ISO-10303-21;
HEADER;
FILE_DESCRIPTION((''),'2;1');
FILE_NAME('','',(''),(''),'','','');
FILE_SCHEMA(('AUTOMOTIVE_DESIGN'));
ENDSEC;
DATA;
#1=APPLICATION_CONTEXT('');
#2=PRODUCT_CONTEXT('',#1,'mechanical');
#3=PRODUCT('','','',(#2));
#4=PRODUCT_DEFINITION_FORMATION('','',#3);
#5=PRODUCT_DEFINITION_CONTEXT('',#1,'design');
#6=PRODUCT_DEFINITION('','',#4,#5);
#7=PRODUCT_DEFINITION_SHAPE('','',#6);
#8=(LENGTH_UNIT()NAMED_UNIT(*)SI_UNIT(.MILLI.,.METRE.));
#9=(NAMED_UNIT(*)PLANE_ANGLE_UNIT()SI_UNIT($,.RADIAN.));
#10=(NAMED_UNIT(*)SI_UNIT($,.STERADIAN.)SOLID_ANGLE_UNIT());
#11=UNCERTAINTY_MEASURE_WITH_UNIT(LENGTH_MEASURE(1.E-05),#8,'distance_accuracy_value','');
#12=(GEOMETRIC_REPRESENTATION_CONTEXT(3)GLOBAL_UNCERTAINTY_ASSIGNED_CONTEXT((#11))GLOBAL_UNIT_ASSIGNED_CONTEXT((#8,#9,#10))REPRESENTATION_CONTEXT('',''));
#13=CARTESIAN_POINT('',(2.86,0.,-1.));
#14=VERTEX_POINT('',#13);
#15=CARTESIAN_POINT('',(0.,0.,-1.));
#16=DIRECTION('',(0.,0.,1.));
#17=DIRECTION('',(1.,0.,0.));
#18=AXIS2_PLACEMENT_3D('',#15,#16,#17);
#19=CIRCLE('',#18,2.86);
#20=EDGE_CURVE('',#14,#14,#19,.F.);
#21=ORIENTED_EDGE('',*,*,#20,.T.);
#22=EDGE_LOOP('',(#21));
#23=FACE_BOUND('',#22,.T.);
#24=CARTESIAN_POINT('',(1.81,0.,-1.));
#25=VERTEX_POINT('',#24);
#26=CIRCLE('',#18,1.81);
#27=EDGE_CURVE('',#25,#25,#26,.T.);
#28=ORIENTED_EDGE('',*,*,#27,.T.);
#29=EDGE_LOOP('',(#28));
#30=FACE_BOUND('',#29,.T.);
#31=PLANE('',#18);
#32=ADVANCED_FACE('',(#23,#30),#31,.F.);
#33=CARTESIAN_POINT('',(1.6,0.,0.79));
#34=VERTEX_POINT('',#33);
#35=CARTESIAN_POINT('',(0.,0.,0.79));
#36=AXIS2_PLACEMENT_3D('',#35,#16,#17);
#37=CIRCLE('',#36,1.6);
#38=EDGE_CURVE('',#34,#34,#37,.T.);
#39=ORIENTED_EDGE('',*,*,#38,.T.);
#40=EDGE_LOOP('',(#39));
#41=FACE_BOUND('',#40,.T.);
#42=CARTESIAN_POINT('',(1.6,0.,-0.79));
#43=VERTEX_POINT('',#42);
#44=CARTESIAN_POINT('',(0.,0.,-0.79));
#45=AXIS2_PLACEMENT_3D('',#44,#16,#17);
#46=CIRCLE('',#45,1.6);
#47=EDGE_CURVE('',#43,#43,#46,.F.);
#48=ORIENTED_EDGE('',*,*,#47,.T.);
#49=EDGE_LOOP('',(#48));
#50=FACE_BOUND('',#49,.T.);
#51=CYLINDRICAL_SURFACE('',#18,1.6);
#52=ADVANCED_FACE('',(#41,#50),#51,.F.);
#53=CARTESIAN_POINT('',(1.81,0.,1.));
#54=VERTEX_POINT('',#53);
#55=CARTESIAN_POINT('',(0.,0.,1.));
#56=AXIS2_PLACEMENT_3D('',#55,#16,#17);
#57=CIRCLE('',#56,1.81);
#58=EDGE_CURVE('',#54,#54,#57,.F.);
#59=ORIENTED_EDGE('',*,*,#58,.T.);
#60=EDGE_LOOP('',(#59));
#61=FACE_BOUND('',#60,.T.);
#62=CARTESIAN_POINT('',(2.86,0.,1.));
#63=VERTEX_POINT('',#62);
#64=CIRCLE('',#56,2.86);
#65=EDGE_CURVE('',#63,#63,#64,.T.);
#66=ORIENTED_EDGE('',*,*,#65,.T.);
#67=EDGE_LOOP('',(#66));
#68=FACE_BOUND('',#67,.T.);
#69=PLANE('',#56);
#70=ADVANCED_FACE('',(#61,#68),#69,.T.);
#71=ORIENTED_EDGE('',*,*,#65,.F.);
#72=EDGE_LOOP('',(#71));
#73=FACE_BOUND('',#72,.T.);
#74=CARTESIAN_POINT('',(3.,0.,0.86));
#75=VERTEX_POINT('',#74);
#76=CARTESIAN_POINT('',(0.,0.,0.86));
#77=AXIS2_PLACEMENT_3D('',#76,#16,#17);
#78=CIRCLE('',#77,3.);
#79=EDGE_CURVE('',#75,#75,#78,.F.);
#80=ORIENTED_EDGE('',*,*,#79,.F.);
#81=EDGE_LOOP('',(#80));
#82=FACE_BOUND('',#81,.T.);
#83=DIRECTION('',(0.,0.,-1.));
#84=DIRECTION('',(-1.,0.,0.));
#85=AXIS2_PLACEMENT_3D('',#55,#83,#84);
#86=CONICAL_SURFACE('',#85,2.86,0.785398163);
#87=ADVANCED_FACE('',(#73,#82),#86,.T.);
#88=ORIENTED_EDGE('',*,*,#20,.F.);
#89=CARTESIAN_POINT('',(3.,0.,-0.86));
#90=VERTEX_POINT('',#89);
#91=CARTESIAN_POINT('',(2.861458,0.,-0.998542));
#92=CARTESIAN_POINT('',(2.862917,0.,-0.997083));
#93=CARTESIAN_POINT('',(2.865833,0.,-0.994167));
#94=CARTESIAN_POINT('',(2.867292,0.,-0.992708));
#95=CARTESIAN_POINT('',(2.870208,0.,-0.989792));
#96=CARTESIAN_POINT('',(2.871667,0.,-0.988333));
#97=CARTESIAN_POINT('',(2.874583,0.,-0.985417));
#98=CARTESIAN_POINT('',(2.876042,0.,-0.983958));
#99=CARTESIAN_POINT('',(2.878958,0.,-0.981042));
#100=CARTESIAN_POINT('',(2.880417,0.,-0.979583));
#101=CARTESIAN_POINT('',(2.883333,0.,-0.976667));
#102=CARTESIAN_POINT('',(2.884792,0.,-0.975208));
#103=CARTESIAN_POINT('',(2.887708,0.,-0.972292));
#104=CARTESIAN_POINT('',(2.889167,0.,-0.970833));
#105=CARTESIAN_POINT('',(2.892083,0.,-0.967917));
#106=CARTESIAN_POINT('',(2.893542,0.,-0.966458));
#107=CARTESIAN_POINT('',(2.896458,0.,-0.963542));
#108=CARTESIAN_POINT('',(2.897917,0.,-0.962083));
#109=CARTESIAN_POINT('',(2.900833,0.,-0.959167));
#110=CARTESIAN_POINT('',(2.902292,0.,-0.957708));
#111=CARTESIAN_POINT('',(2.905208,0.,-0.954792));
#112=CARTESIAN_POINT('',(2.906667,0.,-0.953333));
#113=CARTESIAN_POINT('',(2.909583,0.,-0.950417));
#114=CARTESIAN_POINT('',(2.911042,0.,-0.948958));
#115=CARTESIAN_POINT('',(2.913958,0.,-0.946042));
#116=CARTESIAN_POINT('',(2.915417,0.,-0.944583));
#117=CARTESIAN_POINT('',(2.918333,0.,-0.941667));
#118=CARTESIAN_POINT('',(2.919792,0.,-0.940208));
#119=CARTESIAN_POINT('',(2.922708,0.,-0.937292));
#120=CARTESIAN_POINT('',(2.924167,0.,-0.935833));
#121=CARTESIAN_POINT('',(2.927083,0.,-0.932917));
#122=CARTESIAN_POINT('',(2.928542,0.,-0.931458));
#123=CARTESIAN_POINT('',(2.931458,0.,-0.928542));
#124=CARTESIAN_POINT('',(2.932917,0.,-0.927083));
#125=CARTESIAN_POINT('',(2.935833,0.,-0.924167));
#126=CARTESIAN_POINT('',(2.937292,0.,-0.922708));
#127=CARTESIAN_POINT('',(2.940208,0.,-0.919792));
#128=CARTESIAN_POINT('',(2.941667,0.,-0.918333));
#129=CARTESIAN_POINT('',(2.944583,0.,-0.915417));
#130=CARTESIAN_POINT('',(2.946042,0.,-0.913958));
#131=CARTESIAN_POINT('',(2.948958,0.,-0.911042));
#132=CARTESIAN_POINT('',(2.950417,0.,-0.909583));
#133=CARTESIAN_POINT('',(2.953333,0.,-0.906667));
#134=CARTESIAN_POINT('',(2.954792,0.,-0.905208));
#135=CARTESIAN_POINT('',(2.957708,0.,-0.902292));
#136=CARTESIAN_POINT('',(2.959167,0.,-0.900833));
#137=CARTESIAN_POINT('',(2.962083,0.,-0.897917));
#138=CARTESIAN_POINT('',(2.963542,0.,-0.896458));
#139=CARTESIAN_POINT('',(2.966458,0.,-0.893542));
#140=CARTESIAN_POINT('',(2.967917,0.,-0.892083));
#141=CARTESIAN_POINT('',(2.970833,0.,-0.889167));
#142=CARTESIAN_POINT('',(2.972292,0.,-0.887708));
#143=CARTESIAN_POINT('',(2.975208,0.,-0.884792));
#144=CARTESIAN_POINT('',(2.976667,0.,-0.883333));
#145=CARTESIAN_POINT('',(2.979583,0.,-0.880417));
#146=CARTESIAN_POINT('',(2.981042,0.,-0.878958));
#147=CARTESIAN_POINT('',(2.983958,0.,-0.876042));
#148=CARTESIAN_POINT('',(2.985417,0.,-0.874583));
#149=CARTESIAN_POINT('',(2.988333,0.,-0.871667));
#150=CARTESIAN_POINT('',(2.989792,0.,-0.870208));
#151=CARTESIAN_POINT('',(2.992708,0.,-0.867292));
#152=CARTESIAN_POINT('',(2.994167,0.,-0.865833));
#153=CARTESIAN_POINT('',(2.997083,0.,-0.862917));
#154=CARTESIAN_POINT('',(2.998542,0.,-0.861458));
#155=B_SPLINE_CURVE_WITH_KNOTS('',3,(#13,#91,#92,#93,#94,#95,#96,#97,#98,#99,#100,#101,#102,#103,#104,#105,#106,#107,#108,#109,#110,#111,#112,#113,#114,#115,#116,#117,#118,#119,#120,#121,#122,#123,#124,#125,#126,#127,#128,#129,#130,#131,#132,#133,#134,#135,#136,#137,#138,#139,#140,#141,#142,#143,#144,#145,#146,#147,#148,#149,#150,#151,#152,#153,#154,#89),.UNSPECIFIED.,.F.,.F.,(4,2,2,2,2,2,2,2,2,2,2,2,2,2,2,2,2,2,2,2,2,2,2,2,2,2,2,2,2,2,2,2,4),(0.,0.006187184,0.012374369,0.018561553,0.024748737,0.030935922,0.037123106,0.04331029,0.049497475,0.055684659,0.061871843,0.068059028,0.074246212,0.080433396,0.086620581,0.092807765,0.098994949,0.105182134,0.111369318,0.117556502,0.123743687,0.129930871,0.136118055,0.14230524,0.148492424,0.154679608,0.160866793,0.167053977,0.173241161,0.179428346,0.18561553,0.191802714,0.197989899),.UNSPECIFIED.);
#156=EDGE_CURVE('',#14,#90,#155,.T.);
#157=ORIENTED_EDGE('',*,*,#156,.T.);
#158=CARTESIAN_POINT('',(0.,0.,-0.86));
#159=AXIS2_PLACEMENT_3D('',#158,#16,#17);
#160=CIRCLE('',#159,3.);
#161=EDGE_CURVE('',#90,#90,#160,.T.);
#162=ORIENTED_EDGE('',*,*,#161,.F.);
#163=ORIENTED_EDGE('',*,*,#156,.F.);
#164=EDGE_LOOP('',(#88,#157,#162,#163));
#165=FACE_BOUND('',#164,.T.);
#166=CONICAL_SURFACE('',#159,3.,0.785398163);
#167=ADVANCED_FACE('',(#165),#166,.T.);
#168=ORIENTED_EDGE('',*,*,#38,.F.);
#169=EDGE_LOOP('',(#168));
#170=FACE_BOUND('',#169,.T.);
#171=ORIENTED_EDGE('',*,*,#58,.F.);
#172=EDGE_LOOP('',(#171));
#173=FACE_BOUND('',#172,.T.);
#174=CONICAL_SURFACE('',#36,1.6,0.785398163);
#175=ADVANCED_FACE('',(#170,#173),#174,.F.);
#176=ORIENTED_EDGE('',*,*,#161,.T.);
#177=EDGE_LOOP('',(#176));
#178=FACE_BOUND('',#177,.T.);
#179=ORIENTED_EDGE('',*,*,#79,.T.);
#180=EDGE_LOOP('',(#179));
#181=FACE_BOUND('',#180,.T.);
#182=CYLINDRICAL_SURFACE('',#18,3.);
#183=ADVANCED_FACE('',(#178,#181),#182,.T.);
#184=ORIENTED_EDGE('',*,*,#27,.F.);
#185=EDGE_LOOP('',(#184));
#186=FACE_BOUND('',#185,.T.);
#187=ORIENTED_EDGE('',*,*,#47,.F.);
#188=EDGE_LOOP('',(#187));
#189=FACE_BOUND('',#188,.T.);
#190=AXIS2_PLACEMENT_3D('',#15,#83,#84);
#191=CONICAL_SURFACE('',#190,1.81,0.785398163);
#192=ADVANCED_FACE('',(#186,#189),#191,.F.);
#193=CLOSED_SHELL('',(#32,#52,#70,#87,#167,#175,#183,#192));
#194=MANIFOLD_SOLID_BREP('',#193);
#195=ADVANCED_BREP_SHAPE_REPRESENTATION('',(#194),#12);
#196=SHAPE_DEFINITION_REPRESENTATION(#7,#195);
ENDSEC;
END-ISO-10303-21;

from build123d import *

# Parameters (mm, degrees)
BOSS_EXTRUDE1_DEPTH      = 1
BOSS_EXTRUDE1_DEPTH_BACK = 1
SKETCH3_R                = 3
SKETCH3_R_2              = 1.6
CHAMFER1_SIZE            = 0.14
CHAMFER2_SIZE            = 0.21


with BuildPart() as part:
    # Sketch3 → Boss-Extrude1 (new, two sides: drawn at the far end of the back side and taken through both)
    with BuildSketch(Plane.XY.offset(-BOSS_EXTRUDE1_DEPTH_BACK)):
        Circle(SKETCH3_R)
        Circle(SKETCH3_R_2, mode=Mode.SUBTRACT)
    extrude(amount=BOSS_EXTRUDE1_DEPTH + BOSS_EXTRUDE1_DEPTH_BACK)

    # Chamfer1
    chamfer1_edges = [part.edges().sort_by_distance(p)[0] for p in [
        (-3, 0, -1),
        (-3, 0, 1),
    ]]
    chamfer(chamfer1_edges, length=CHAMFER1_SIZE)

    # Chamfer2
    chamfer2_edges = [part.edges().sort_by_distance(p)[0] for p in [
        (-1.6, 0, -1),
        (-1.6, 0, 1),
    ]]
    chamfer(chamfer2_edges, length=CHAMFER2_SIZE)


solid = part.part
